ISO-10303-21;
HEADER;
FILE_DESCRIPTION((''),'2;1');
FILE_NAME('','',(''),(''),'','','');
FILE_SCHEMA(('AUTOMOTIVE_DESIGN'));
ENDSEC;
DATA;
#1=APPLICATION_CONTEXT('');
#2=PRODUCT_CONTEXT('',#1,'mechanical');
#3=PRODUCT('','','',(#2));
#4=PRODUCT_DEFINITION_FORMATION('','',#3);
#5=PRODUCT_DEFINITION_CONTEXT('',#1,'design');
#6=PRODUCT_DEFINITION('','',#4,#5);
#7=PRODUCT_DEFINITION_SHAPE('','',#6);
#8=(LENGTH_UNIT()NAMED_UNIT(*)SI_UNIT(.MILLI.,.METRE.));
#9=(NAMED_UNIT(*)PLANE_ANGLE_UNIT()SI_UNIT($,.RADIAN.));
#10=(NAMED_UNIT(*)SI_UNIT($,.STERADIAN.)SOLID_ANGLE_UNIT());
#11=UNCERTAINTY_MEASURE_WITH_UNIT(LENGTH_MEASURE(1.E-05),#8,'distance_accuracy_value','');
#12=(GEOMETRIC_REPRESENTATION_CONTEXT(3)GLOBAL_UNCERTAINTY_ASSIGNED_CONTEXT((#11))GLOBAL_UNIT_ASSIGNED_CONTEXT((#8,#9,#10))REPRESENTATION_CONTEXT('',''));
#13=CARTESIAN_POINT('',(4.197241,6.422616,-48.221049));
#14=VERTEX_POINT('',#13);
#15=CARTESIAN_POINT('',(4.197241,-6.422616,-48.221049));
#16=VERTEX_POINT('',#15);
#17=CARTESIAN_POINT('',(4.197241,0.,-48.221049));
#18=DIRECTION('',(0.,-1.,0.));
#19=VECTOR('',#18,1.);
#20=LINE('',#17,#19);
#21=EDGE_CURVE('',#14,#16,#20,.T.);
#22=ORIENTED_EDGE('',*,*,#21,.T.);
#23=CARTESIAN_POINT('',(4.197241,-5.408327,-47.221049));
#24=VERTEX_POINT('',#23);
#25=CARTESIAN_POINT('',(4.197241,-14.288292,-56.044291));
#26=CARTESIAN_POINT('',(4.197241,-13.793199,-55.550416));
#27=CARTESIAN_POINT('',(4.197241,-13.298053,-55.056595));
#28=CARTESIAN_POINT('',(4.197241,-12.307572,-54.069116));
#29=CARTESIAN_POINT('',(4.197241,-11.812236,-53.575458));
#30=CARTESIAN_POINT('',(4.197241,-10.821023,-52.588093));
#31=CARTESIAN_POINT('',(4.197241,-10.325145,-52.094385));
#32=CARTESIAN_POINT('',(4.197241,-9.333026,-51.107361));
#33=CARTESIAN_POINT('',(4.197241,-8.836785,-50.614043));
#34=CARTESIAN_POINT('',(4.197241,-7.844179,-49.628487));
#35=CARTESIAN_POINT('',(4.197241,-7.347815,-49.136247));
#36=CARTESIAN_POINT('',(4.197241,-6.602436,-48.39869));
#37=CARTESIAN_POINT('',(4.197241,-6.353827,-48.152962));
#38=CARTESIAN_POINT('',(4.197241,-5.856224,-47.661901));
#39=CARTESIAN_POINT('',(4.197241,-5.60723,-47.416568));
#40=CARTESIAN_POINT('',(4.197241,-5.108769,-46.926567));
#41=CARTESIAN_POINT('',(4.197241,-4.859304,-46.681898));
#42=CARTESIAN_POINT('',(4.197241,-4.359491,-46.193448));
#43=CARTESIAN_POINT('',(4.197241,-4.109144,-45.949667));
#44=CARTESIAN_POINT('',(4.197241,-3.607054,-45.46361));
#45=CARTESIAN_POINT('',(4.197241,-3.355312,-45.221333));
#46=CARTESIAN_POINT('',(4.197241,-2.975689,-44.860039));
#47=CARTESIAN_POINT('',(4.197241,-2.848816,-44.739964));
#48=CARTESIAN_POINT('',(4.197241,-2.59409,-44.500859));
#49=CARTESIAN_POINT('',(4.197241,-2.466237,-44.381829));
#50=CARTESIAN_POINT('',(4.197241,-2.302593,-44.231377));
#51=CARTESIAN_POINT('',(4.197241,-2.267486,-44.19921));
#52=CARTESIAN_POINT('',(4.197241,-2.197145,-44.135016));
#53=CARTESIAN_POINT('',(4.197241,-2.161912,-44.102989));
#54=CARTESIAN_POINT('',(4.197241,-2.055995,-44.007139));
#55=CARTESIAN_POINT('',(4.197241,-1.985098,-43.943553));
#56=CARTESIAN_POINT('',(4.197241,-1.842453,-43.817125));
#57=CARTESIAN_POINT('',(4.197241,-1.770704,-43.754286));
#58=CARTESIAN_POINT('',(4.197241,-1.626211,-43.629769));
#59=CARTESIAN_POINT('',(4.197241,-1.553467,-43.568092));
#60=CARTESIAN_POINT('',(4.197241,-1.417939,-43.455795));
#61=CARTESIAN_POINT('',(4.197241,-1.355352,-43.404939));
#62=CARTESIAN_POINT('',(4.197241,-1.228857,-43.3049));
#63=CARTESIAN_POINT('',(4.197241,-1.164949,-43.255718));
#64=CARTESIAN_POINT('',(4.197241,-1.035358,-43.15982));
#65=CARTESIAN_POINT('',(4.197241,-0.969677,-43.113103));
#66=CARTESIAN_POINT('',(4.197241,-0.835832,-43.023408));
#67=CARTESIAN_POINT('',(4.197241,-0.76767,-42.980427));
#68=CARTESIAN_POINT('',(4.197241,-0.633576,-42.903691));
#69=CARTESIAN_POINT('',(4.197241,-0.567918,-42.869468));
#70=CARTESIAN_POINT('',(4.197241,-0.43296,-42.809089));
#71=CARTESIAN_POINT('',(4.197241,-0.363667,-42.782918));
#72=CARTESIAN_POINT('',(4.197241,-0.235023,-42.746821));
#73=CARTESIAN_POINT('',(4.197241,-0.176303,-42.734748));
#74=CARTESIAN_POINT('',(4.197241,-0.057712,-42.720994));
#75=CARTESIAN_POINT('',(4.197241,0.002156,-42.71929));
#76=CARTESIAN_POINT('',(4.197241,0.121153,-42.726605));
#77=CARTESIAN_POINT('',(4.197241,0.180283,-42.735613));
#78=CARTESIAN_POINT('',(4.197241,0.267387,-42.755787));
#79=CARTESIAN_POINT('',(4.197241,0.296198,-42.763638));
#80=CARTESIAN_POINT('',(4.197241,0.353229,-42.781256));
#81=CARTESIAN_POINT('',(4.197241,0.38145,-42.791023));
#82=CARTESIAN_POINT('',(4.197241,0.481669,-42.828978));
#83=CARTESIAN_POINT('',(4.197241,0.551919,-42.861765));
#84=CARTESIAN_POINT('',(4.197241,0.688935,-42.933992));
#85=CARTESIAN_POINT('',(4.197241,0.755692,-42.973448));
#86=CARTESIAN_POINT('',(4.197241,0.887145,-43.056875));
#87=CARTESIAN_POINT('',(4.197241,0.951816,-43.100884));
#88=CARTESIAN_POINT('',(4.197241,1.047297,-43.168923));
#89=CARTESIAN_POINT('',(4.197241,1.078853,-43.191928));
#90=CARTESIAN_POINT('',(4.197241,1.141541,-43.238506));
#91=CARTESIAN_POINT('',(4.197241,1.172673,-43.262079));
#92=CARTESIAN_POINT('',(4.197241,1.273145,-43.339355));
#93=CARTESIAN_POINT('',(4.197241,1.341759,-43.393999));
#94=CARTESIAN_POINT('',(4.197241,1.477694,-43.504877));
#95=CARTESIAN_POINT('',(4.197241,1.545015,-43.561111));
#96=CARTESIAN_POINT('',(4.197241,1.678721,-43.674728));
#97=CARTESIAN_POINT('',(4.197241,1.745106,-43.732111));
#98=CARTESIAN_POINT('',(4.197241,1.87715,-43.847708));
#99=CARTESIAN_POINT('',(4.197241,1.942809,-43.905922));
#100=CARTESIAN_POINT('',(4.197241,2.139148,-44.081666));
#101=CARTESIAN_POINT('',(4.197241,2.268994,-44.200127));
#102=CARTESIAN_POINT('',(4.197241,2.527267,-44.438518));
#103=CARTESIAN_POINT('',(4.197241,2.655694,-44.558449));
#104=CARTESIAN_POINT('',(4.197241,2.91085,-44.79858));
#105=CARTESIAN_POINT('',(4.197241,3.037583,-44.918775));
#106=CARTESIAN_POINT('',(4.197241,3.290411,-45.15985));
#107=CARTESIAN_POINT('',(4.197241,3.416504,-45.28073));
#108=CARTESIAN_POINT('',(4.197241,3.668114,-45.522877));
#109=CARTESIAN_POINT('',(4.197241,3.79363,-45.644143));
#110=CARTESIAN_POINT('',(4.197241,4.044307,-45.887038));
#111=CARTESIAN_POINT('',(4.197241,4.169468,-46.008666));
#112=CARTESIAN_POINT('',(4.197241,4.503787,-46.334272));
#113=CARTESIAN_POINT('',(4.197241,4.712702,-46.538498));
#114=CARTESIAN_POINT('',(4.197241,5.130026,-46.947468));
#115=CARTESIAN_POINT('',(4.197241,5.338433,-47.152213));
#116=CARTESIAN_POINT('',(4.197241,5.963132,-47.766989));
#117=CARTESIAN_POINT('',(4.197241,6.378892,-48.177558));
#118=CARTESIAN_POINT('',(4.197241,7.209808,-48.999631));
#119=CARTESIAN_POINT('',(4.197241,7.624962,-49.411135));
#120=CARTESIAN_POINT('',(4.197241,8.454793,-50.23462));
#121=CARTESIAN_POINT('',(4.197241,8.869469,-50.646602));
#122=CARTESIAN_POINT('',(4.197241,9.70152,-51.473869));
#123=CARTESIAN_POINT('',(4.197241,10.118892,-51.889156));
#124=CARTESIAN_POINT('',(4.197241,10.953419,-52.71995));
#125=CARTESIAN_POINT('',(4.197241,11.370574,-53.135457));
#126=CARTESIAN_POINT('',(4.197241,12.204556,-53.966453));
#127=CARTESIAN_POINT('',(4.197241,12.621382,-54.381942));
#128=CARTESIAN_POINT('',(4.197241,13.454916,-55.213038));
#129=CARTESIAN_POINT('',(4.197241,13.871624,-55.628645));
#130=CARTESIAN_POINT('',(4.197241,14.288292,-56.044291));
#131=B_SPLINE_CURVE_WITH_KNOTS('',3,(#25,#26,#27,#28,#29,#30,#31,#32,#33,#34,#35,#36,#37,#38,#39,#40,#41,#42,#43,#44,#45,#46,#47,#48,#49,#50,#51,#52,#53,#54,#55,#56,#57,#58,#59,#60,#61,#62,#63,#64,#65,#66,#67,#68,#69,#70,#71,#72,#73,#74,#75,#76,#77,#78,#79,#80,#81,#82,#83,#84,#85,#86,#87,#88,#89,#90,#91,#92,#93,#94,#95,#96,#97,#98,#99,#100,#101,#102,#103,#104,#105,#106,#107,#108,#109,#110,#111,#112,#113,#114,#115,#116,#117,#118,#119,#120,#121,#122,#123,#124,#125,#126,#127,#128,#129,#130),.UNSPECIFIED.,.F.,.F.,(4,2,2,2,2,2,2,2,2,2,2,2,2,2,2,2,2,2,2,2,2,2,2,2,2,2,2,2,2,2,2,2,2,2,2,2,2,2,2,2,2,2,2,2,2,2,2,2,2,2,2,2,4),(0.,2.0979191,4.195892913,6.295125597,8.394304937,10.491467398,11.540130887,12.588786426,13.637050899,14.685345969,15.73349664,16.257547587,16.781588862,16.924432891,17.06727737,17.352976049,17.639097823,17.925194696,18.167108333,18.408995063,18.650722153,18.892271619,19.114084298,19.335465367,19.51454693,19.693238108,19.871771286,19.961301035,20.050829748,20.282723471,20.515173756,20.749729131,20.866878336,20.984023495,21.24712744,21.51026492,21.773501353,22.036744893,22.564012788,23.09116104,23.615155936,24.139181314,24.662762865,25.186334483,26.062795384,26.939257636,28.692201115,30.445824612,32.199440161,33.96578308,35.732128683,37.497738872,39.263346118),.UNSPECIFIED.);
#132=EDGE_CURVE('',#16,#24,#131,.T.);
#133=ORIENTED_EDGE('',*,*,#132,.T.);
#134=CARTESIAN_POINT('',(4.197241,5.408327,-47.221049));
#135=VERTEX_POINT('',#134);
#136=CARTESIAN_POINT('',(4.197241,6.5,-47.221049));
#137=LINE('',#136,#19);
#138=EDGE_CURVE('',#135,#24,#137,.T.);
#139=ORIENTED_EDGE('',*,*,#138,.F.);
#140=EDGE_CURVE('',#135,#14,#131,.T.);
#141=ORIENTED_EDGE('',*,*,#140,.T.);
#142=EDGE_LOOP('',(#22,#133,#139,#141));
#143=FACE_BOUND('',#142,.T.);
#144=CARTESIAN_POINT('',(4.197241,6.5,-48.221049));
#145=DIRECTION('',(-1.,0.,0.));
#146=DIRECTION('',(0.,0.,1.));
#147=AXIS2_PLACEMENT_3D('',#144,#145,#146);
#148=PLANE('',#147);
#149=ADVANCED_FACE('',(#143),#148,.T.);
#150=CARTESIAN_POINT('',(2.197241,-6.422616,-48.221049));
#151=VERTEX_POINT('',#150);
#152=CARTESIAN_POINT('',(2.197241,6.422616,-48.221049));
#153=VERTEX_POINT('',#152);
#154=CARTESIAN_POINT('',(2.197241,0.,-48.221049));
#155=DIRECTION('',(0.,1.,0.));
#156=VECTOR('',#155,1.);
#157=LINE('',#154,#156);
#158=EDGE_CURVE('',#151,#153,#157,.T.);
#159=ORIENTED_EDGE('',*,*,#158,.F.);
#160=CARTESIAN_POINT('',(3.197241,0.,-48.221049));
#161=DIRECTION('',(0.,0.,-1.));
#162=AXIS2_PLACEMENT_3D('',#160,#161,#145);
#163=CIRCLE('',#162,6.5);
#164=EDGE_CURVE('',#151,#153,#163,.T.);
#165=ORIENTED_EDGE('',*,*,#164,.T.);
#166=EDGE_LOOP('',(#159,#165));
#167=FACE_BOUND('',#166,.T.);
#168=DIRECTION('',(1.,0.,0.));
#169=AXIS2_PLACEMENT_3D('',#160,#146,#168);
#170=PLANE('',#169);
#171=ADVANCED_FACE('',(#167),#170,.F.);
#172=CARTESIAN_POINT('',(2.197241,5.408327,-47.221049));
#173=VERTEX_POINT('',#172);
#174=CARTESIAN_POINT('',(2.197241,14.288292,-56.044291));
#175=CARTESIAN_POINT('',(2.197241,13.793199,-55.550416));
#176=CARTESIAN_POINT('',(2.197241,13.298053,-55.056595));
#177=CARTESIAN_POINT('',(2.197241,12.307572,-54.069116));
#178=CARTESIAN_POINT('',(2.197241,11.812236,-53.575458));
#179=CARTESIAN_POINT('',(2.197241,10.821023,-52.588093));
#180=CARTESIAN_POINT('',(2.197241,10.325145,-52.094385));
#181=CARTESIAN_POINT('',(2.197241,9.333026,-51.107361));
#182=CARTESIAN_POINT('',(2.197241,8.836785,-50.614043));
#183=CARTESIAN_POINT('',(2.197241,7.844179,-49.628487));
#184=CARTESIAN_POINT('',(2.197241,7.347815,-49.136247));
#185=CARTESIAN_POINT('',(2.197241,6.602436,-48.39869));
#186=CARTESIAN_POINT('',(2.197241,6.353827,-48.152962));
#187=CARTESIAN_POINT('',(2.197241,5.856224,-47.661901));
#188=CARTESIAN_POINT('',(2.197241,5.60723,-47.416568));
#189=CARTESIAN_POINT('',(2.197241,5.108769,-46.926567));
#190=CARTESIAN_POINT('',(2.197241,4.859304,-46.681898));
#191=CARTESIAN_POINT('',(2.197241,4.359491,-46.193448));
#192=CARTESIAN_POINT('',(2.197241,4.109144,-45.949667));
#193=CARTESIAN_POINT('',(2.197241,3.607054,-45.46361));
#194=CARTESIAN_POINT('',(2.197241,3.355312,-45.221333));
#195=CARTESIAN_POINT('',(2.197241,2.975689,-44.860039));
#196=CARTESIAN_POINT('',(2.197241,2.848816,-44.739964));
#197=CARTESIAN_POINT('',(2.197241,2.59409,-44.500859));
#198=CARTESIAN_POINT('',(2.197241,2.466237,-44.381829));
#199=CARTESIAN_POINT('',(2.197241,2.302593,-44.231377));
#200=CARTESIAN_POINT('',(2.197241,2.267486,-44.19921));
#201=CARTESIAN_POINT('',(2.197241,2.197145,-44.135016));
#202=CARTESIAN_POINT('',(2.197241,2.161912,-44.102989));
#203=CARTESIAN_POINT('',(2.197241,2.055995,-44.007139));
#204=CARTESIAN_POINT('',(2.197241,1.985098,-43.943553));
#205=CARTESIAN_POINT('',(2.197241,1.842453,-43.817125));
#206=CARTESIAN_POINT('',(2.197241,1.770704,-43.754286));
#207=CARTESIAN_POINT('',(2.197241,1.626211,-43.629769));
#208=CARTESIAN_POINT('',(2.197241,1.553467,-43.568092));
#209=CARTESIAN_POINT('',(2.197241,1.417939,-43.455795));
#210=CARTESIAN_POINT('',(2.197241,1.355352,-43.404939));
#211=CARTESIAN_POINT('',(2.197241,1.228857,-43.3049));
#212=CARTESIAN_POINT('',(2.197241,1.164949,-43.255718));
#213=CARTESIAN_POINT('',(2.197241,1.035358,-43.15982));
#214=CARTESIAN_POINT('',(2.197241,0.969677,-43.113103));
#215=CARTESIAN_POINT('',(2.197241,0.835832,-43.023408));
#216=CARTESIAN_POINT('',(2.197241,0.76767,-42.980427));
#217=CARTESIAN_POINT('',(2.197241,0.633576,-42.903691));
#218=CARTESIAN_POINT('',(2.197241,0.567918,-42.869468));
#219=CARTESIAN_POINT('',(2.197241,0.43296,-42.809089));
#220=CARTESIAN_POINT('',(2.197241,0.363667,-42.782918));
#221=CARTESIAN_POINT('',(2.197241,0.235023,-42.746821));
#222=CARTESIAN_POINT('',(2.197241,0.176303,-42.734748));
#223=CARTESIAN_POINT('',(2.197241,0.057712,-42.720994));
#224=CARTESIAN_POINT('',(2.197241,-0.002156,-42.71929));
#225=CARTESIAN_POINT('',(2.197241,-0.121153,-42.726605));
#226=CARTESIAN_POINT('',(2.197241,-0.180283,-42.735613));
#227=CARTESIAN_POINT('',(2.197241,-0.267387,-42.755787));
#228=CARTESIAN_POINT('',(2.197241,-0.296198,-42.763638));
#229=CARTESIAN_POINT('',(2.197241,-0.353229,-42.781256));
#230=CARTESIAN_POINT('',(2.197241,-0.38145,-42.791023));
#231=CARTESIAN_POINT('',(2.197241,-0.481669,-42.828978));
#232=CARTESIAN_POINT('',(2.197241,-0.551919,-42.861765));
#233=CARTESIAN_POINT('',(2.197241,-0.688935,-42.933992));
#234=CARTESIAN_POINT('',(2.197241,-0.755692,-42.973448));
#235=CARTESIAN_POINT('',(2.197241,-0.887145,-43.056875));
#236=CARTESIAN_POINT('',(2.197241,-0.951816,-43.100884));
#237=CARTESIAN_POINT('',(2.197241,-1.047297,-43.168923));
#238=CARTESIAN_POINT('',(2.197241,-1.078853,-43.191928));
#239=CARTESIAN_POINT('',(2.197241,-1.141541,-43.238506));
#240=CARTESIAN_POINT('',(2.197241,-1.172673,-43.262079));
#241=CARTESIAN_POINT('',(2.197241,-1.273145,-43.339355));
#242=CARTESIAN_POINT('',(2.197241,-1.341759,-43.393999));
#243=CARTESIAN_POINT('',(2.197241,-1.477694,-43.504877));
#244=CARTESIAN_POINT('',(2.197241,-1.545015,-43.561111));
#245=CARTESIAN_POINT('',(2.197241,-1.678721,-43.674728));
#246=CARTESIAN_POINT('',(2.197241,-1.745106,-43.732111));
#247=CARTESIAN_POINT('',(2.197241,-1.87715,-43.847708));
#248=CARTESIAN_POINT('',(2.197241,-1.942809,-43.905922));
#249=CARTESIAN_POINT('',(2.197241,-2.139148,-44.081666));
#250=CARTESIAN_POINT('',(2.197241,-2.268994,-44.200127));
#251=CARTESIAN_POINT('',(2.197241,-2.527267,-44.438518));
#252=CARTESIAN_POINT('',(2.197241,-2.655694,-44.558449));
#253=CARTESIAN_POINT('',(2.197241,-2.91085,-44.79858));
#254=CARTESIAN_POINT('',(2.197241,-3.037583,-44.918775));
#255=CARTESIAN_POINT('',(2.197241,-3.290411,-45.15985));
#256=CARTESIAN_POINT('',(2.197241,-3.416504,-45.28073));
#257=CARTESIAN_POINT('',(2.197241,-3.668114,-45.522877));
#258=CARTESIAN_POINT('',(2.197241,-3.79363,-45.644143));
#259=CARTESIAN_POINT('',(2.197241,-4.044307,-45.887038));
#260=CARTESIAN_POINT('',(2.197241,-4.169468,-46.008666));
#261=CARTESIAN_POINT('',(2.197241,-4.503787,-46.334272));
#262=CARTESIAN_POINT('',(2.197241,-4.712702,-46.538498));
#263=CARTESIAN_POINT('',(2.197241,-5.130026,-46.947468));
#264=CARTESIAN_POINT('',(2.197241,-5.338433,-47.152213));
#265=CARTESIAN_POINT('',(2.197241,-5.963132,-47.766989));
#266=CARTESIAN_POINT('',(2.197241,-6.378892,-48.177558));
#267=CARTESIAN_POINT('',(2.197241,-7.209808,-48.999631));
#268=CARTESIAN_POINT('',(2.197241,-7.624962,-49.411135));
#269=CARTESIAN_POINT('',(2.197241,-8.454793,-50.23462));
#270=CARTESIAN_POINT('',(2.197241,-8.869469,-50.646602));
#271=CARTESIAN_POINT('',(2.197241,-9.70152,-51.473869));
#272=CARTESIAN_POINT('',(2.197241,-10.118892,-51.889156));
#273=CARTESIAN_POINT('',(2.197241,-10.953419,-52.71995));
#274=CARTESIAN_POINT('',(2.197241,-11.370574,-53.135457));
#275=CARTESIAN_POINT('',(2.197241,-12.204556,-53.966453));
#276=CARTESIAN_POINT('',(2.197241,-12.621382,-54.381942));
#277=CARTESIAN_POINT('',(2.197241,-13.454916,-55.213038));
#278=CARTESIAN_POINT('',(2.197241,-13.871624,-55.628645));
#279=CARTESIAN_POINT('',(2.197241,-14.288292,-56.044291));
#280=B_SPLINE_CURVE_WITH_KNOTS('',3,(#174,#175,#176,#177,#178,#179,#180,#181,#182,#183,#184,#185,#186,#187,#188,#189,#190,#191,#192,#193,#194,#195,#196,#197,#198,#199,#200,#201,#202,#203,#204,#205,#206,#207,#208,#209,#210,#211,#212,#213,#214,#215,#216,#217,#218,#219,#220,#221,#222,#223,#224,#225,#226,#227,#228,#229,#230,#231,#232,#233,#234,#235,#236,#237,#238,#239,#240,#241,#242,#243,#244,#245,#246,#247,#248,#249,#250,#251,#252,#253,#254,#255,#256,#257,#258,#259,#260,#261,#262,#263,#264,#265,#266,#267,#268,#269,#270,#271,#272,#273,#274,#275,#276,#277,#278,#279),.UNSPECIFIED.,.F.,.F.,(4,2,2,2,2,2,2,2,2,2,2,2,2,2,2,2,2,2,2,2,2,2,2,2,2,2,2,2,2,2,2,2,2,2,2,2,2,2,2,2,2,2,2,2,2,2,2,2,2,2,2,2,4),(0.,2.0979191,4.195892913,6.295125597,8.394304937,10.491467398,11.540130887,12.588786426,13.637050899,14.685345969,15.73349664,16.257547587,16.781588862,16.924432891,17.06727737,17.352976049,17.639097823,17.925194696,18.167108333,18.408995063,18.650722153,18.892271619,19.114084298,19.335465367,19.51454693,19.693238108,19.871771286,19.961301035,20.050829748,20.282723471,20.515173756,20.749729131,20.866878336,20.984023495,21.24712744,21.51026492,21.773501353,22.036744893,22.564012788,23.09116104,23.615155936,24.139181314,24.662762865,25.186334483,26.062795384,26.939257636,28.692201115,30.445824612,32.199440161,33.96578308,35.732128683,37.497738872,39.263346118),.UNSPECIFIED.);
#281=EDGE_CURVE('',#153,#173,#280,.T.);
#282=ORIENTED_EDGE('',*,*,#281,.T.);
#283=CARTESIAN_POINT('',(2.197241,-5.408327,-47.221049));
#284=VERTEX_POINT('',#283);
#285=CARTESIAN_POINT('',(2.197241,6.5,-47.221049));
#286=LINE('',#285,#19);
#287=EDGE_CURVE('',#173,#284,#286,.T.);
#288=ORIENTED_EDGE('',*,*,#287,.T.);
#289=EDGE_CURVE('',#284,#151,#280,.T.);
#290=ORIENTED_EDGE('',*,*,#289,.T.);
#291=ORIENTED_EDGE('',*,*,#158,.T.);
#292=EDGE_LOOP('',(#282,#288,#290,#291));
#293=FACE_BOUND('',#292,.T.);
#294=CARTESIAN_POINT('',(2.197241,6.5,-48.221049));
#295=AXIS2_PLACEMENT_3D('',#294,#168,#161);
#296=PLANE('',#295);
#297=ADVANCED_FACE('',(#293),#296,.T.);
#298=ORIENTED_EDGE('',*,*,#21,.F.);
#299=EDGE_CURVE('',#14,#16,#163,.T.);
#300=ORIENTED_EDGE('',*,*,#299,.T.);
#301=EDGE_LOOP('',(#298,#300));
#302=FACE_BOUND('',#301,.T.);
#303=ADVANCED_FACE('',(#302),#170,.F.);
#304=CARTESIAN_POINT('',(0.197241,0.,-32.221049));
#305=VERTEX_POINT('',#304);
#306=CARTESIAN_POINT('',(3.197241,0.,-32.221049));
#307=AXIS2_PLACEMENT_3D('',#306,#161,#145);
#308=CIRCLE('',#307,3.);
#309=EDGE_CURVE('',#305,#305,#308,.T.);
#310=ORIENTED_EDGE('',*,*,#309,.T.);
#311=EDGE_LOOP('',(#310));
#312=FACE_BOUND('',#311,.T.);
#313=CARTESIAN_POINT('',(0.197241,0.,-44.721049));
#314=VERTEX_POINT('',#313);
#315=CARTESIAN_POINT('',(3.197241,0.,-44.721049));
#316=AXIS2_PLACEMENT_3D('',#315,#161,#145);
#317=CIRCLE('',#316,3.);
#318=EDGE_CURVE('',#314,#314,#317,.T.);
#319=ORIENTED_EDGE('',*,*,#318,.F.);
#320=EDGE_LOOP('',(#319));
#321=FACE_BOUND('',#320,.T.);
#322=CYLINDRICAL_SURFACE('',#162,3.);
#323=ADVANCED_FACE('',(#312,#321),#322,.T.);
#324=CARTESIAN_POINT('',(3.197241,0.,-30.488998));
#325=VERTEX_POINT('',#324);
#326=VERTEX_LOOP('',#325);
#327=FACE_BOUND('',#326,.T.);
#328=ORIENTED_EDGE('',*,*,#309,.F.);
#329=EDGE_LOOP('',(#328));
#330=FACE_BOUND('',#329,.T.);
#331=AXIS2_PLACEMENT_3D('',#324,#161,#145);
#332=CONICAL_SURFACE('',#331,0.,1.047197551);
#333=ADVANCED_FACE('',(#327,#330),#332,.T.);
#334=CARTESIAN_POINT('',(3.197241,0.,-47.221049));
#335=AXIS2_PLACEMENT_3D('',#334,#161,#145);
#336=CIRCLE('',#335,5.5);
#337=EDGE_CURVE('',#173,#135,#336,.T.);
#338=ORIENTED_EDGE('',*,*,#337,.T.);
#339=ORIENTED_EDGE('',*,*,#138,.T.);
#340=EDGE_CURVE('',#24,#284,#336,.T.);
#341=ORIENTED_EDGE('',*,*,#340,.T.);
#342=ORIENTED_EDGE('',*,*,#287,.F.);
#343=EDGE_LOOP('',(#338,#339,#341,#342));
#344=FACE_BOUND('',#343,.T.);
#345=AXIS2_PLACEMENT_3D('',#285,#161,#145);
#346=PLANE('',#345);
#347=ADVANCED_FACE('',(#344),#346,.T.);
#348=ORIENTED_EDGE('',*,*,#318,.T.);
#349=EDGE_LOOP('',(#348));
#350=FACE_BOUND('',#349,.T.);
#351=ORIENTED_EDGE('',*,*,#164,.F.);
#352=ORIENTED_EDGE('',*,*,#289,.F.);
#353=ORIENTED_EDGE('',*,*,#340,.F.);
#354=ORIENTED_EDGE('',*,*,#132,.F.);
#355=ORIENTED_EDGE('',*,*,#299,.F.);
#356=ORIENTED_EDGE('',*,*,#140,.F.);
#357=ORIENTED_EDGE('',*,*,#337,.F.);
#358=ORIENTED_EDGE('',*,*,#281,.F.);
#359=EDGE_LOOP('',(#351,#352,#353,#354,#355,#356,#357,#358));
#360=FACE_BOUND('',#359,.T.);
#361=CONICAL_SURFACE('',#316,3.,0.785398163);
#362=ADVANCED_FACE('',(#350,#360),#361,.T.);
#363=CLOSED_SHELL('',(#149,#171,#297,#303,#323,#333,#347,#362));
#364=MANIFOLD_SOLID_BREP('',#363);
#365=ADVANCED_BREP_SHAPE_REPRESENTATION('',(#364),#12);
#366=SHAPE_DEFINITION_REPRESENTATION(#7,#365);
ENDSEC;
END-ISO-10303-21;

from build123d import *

# Parameters (mm, degrees)
CUT_EXTRUDE1_DEPTH      = 50.614070771
CUT_EXTRUDE1_DEPTH_BACK = 12
SKETCH2_W               = 2
SKETCH2_H               = 1


with BuildPart() as part:
    # Sketch1 → Revolve1 (revolve)
    with BuildSketch(Plane(origin=(0, 0, 0), x_dir=(1, 0, 0), z_dir=(0, 1, 0)), mode=Mode.PRIVATE) as revolve1_sk:
        Polygon((9.697241479, 48.221048581), (6.197241479, 44.721048581), (6.197241479, 32.221048581), (3.197241479, 30.488997773), (3.197241479, 48.221048581), align=None)
    revolve(revolve1_sk.sketch.rotate(Axis((3.197241479, 0, -48.221048581), (0, 0, 1)), 180), axis=Axis((3.197241479, 0, -48.221048581), (0, 0, 1)))

    # Sketch2 → Cut-Extrude1 (cut, two sides: drawn at the far end of the back side and taken through both)
    with BuildSketch(Plane(origin=(0, 0, 0), x_dir=(1, 0, 0), z_dir=(0, 1, 0)).offset(-CUT_EXTRUDE1_DEPTH_BACK)):
        with Locations((3.197241479, 47.721048581)):
            Rectangle(SKETCH2_W, SKETCH2_H)
    extrude(amount=CUT_EXTRUDE1_DEPTH + CUT_EXTRUDE1_DEPTH_BACK, mode=Mode.SUBTRACT)


solid = part.part
